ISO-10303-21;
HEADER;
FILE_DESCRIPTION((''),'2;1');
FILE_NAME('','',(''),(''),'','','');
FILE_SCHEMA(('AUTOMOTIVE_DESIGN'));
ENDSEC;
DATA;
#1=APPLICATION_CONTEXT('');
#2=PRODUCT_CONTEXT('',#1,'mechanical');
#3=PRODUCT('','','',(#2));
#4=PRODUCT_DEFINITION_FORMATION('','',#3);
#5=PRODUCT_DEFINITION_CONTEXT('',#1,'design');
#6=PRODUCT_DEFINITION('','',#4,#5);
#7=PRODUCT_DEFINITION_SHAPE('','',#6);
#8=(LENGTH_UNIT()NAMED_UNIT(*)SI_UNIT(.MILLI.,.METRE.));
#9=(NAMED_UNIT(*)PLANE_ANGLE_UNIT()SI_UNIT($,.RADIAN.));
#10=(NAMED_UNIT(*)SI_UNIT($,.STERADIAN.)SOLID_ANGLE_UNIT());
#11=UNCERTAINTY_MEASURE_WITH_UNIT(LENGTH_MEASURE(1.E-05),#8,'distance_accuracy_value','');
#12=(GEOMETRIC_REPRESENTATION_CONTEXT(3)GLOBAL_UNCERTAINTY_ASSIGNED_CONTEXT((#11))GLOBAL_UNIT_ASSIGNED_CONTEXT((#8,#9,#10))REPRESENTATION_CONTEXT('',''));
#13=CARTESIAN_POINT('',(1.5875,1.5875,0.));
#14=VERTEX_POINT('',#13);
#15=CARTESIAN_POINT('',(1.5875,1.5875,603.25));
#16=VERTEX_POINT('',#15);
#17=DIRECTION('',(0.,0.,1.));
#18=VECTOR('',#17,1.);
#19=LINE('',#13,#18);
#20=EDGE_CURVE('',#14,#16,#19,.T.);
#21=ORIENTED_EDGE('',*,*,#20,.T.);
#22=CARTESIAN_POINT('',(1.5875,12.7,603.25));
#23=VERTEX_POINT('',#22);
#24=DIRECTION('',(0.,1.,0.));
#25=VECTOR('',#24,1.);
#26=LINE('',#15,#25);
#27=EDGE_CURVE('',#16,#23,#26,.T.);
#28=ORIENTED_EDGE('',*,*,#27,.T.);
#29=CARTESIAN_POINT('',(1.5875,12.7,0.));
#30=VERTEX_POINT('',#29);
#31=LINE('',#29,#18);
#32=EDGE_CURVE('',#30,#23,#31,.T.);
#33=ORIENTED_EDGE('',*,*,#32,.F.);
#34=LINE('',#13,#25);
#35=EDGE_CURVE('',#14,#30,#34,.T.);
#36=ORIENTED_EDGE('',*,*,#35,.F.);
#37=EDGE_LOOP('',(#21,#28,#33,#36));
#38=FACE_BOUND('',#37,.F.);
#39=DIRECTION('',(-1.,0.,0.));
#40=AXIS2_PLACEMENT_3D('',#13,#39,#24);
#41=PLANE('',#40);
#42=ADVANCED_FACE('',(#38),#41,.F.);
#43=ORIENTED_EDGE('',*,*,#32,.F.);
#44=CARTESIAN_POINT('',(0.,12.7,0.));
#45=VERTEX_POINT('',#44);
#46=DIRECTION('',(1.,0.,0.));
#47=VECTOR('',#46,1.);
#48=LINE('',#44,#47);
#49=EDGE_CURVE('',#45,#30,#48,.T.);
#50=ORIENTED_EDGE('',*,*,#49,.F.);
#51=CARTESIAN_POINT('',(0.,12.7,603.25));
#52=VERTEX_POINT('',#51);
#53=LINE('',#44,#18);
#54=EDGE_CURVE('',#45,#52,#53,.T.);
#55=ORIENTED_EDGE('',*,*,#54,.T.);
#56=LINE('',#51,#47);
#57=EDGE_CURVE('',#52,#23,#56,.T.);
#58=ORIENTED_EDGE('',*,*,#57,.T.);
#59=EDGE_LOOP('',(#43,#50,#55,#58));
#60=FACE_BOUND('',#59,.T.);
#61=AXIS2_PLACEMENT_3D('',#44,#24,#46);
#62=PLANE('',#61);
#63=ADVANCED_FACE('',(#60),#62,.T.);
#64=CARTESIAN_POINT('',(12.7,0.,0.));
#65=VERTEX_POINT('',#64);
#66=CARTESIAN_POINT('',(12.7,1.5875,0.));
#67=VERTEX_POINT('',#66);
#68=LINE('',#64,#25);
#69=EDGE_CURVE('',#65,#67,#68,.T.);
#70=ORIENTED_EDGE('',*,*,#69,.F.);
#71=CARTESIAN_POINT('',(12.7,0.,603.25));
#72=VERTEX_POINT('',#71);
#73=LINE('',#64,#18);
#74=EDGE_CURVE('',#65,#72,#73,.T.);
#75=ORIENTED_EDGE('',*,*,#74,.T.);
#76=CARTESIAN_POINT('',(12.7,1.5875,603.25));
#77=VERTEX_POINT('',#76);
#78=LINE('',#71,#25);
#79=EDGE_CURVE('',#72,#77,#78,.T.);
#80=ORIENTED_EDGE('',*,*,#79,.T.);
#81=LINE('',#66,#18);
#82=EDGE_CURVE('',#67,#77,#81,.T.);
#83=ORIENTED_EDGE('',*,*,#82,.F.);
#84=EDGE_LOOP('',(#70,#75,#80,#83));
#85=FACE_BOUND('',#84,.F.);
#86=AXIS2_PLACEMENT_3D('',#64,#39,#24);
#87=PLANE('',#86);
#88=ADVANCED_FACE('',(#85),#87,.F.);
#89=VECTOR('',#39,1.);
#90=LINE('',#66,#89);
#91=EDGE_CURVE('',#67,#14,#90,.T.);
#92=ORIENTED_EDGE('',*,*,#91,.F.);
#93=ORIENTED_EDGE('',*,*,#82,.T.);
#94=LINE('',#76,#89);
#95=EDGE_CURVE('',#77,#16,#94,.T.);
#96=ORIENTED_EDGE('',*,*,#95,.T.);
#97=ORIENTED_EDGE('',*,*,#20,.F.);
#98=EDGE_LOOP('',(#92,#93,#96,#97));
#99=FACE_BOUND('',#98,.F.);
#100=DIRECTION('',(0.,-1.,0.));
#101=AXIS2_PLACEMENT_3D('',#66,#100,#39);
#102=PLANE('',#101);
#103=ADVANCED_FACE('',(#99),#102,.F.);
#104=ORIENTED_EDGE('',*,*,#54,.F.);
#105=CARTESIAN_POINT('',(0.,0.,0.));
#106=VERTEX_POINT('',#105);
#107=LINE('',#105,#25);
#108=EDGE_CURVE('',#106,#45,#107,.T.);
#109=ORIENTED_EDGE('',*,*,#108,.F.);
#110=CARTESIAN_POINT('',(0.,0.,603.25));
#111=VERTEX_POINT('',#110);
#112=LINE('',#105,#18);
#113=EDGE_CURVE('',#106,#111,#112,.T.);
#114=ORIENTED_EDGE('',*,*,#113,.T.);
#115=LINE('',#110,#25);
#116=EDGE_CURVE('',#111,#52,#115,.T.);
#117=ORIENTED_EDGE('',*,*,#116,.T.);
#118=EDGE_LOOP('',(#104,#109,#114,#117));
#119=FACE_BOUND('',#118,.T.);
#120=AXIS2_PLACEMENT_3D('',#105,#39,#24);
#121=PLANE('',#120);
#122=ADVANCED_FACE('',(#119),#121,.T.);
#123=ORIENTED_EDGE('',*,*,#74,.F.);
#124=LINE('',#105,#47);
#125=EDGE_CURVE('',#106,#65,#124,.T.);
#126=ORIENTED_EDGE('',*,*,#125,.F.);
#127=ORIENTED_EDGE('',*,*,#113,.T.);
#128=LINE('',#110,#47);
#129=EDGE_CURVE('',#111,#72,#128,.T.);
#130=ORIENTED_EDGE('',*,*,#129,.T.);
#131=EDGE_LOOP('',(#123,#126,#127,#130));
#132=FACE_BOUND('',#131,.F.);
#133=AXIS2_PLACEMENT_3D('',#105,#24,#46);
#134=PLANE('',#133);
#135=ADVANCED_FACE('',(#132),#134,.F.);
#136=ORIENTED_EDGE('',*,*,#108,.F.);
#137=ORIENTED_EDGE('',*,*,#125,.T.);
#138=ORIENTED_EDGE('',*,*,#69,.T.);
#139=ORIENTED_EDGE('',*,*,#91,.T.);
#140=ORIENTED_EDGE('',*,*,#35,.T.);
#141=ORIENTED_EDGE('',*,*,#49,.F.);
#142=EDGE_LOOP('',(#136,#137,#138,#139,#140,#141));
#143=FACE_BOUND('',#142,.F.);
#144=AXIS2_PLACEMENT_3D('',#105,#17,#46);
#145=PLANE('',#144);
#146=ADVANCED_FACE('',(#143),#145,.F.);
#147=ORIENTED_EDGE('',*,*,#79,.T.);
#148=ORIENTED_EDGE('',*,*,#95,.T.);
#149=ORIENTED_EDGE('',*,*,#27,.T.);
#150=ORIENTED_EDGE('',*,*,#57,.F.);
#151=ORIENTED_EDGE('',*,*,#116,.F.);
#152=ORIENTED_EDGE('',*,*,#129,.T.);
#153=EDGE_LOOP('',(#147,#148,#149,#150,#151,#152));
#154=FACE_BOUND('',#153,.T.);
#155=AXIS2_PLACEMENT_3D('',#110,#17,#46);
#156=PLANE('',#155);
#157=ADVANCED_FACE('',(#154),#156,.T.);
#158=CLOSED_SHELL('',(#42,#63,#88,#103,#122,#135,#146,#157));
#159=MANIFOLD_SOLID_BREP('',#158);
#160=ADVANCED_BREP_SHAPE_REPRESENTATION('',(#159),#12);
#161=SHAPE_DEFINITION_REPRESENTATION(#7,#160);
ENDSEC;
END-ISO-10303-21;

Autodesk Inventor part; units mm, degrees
ref_plane "YZ Plane" through (0, 0, 0) normal (1, 0, 0) x (0, 1, 0)
ref_plane "XZ Plane" through (0, 0, 0) normal (0, 1, 0) x (-1, 0, 0)
ref_plane "XY Plane" through (0, 0, 0) normal (0, 0, 1) x (1, 0, 0)
sketch "Sketch1" plane through (0, 0, 0) normal (0, 0, 1) x (1, 0, 0)
  line L0 (0, 0) -> (0, 12.7)
  line L1 (0, 12.7) -> (1.5875, 12.7)
  line L2 (0, 0) -> (12.7, 0)
  line L3 (12.7, 0) -> (12.7, 1.5875)
  line L4 (12.7, 1.5875) -> (1.5875, 1.5875)
  line L5 (1.5875, 1.5875) -> (1.5875, 12.7)
  dimension "d0" = 12.7
  dimension "d1" = 1.5875
  dimension "d2" = 12.7
  dimension "d3" = 1.5875
extrude "Extrusion1" add sketch "Sketch1" along normal blind 603.25
properties part number "Bumper Metal Edge Part1 (24x28 robot)" material "Aluminum 6061"
